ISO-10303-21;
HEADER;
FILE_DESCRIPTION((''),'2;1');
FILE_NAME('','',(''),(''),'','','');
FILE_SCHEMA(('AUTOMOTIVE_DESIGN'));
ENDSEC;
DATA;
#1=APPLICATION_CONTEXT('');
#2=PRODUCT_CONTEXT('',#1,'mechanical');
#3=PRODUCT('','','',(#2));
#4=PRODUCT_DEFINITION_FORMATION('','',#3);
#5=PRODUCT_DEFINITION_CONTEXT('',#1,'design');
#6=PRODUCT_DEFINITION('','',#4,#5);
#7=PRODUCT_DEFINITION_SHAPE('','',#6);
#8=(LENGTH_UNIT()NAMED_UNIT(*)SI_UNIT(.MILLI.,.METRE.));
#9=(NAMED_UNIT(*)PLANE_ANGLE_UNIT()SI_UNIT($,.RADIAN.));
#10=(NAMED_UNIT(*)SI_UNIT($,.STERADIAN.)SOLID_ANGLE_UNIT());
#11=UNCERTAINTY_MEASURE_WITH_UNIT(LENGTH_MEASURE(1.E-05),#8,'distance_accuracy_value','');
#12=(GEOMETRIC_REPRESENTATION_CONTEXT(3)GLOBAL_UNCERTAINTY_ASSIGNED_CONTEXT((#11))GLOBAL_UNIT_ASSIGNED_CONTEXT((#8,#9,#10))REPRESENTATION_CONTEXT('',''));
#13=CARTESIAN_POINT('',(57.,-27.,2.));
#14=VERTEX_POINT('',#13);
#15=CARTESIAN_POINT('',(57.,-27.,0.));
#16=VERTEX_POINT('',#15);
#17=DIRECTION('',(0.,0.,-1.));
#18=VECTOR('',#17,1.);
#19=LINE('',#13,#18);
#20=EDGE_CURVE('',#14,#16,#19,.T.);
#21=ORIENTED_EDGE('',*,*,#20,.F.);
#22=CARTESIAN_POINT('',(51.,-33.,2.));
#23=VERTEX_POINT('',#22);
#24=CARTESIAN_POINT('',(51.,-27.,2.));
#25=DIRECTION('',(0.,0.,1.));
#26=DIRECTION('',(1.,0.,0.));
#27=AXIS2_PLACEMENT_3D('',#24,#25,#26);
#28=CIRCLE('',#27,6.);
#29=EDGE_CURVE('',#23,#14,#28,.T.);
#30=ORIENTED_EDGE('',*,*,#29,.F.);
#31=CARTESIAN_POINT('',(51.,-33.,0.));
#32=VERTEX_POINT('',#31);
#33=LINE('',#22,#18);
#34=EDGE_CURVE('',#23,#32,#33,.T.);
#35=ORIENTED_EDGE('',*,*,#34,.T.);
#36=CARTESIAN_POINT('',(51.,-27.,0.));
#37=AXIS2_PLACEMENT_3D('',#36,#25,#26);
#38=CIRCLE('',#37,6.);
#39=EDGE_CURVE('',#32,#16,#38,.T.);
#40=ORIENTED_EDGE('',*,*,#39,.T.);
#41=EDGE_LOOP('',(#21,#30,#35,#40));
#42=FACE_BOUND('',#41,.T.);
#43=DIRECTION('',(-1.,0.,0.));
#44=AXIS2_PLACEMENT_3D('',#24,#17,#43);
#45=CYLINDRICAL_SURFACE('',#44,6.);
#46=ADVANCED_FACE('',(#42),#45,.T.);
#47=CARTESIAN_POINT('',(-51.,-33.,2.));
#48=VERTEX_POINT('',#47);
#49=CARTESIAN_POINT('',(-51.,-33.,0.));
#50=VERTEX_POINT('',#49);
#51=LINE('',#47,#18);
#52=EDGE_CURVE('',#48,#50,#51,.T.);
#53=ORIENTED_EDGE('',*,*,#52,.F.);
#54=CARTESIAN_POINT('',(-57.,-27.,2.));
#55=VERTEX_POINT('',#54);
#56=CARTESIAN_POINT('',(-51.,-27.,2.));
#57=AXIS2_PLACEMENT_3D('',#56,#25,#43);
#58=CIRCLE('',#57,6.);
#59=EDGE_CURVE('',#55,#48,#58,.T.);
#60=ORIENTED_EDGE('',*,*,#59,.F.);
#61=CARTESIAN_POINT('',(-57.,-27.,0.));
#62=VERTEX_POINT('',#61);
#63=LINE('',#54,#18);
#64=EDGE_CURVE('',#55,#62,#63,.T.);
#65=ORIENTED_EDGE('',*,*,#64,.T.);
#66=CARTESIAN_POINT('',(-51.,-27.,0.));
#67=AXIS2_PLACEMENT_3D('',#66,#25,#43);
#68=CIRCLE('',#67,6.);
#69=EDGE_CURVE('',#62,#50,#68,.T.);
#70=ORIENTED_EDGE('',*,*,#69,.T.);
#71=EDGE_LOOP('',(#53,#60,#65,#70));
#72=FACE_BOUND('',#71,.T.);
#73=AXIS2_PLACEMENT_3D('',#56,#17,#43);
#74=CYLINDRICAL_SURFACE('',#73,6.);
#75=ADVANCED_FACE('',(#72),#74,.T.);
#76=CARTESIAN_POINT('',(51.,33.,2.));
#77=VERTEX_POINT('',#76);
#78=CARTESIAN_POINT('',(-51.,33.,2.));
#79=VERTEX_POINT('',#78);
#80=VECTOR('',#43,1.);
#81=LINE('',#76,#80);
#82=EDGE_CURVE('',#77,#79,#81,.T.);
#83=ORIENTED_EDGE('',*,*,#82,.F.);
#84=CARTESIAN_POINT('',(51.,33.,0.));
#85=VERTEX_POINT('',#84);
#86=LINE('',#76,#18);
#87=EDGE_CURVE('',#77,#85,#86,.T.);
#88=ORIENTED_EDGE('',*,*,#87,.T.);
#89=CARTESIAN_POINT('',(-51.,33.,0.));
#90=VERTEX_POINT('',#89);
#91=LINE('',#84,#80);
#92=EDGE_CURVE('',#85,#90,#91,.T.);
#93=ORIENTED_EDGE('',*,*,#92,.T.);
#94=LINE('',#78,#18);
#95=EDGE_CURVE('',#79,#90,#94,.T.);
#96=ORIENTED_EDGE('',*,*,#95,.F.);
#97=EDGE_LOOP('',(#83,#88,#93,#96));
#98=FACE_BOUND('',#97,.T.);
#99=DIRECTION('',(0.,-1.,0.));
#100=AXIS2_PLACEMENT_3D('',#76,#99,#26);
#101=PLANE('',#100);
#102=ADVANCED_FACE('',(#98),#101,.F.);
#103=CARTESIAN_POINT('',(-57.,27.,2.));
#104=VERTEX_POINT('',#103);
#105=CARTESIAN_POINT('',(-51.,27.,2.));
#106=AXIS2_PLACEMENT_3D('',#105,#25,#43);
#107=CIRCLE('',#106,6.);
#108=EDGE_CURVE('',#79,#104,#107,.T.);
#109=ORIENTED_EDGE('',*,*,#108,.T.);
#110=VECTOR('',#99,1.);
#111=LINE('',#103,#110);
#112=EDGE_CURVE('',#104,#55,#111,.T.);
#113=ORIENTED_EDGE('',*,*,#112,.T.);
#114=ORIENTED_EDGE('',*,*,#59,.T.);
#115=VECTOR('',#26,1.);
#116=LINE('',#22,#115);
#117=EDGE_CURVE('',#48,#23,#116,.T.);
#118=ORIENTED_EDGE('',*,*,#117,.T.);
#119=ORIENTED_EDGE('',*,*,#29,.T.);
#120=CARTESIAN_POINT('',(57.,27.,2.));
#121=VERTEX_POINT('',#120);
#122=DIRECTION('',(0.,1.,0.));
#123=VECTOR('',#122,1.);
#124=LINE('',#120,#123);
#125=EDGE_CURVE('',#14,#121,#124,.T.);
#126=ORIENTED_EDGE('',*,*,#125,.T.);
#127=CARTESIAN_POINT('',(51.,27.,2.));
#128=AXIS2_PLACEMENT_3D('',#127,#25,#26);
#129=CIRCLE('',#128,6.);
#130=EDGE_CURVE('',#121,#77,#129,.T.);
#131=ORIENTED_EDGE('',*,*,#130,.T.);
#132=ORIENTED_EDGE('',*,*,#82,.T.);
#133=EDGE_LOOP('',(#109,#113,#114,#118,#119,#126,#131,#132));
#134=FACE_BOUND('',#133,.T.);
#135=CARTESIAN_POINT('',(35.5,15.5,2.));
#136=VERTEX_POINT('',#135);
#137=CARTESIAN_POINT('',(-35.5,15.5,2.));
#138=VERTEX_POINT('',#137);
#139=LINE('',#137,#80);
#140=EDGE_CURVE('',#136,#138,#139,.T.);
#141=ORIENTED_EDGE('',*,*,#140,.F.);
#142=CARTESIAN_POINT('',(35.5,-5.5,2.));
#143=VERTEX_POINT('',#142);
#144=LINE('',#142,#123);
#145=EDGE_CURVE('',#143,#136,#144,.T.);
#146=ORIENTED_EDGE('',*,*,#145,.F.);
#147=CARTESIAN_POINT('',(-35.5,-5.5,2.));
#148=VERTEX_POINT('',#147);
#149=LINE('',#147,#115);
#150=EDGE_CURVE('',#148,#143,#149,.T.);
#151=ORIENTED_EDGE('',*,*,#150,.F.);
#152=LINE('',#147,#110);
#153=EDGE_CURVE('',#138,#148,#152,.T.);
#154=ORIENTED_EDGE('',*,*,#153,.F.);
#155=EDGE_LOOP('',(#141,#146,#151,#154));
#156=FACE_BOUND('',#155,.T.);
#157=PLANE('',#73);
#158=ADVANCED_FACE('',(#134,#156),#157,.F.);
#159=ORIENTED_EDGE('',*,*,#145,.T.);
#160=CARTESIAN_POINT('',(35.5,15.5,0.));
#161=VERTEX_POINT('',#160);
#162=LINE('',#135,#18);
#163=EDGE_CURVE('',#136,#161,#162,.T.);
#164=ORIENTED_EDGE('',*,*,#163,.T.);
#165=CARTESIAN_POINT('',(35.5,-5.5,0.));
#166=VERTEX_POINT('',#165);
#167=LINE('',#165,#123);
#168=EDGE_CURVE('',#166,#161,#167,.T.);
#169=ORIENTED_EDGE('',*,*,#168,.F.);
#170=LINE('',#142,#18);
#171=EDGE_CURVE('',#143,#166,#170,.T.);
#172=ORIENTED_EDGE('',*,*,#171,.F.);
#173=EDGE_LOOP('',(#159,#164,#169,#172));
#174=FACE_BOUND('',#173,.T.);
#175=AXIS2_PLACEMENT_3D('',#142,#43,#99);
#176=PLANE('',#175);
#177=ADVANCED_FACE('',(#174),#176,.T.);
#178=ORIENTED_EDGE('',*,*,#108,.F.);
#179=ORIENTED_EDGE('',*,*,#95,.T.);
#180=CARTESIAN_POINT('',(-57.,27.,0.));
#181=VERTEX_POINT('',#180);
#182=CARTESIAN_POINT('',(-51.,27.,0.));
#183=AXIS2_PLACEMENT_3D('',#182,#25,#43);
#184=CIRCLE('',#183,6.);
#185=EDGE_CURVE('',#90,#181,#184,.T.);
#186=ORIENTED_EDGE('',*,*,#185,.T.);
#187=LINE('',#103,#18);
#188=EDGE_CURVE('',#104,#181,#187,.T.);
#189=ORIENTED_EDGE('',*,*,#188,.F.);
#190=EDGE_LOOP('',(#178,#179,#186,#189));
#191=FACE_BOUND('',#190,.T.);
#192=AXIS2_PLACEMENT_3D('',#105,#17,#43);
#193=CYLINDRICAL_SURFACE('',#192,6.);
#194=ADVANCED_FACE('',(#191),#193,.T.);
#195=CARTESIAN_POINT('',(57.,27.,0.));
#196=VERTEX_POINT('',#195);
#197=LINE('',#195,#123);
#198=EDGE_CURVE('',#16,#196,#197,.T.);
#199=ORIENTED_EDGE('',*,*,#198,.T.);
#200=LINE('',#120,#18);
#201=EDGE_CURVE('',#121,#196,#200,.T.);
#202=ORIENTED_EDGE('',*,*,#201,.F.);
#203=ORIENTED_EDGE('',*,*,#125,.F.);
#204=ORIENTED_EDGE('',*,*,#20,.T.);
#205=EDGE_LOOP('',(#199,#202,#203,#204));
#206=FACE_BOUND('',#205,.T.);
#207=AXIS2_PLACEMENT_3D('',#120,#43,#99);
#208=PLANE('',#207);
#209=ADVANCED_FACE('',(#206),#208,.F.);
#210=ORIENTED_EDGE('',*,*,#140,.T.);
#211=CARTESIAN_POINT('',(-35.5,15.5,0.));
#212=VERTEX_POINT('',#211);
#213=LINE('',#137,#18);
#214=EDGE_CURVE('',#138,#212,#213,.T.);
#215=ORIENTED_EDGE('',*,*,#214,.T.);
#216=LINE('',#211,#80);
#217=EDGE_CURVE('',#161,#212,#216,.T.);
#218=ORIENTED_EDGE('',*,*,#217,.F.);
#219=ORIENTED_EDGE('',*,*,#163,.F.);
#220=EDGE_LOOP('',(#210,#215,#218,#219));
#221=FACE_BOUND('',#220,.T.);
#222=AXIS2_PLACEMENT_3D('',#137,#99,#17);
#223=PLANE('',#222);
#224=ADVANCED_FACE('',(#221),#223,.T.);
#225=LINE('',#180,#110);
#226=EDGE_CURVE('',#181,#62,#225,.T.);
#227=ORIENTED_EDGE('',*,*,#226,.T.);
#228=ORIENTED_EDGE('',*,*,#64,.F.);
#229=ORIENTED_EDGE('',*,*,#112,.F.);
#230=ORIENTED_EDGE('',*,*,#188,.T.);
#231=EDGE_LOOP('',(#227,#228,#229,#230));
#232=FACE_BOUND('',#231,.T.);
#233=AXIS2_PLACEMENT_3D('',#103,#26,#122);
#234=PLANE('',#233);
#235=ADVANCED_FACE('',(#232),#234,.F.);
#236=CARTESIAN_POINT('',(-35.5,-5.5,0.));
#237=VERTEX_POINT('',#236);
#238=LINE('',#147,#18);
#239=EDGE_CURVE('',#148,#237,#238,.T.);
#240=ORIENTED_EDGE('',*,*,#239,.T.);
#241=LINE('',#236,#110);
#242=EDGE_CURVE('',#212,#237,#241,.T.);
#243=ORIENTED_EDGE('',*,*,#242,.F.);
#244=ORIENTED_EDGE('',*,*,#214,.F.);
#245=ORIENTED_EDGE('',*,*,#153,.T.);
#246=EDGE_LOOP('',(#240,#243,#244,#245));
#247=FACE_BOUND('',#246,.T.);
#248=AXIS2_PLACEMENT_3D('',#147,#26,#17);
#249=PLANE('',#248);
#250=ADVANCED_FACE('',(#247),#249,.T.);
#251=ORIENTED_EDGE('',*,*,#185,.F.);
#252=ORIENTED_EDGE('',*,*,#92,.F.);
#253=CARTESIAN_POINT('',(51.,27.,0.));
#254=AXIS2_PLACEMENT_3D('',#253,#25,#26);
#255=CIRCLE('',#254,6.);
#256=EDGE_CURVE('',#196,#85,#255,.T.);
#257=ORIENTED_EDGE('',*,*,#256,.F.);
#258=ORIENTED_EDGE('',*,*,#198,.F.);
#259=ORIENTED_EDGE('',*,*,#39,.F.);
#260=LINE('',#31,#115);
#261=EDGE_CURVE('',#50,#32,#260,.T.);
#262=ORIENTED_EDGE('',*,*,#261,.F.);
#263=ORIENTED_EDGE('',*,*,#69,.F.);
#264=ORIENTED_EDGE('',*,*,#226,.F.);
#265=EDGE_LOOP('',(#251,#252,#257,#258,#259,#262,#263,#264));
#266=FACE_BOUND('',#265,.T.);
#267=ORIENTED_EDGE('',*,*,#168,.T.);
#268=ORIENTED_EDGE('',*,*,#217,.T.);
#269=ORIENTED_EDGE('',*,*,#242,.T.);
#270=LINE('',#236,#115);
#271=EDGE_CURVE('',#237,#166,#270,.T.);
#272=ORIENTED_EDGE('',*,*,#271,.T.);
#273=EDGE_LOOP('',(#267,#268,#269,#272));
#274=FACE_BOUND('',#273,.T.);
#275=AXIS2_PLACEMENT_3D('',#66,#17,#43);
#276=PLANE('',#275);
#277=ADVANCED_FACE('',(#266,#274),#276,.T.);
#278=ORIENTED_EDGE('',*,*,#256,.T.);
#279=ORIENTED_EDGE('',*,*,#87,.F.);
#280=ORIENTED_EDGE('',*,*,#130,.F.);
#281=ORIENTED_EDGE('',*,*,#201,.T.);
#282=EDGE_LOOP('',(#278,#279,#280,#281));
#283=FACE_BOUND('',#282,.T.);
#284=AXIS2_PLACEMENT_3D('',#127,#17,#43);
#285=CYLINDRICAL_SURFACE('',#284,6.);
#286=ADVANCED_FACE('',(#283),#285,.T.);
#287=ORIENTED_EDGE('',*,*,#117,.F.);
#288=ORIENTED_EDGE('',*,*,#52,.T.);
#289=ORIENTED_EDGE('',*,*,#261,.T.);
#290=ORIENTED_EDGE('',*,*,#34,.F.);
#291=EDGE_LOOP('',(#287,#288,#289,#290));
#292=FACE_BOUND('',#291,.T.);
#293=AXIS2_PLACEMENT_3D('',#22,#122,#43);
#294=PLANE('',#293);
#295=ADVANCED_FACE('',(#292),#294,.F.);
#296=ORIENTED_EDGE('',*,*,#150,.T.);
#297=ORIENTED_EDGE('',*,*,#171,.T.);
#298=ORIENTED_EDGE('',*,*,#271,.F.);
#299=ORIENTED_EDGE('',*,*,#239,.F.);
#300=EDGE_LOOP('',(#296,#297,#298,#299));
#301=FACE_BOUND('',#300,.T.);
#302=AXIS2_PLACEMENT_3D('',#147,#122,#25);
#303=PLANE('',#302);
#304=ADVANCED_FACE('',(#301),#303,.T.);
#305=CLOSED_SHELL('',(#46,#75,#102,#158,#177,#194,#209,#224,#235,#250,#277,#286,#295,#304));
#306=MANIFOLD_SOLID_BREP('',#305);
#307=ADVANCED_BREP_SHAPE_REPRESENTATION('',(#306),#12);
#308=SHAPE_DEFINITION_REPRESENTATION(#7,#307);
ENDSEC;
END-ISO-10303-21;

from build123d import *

# Parameters (mm, degrees)
SKETCH1_W           = 71
SKETCH1_H           = 21
BOSS_EXTRUDE1_DEPTH = 2


with BuildPart() as part:
    # Sketch1 → Boss-Extrude1 (new body)
    with BuildSketch(Plane.XY):
        with BuildLine():
            Line((51, 33), (-51, 33))
            ThreePointArc((-51, 33), (-55.242640687, 31.242640687), (-57, 27))
            Line((-57, 27), (-57, -27))
            ThreePointArc((-57, -27), (-55.242640687, -31.242640687), (-51, -33))
            Line((-51, -33), (51, -33))
            ThreePointArc((51, -33), (55.242640687, -31.242640687), (57, -27))
            Line((57, -27), (57, 27))
            ThreePointArc((57, 27), (55.242640687, 31.242640687), (51, 33))
        make_face()
        with Locations((0, 5)):
            Rectangle(SKETCH1_W, SKETCH1_H, mode=Mode.SUBTRACT)
    extrude(amount=BOSS_EXTRUDE1_DEPTH)


solid = part.part
